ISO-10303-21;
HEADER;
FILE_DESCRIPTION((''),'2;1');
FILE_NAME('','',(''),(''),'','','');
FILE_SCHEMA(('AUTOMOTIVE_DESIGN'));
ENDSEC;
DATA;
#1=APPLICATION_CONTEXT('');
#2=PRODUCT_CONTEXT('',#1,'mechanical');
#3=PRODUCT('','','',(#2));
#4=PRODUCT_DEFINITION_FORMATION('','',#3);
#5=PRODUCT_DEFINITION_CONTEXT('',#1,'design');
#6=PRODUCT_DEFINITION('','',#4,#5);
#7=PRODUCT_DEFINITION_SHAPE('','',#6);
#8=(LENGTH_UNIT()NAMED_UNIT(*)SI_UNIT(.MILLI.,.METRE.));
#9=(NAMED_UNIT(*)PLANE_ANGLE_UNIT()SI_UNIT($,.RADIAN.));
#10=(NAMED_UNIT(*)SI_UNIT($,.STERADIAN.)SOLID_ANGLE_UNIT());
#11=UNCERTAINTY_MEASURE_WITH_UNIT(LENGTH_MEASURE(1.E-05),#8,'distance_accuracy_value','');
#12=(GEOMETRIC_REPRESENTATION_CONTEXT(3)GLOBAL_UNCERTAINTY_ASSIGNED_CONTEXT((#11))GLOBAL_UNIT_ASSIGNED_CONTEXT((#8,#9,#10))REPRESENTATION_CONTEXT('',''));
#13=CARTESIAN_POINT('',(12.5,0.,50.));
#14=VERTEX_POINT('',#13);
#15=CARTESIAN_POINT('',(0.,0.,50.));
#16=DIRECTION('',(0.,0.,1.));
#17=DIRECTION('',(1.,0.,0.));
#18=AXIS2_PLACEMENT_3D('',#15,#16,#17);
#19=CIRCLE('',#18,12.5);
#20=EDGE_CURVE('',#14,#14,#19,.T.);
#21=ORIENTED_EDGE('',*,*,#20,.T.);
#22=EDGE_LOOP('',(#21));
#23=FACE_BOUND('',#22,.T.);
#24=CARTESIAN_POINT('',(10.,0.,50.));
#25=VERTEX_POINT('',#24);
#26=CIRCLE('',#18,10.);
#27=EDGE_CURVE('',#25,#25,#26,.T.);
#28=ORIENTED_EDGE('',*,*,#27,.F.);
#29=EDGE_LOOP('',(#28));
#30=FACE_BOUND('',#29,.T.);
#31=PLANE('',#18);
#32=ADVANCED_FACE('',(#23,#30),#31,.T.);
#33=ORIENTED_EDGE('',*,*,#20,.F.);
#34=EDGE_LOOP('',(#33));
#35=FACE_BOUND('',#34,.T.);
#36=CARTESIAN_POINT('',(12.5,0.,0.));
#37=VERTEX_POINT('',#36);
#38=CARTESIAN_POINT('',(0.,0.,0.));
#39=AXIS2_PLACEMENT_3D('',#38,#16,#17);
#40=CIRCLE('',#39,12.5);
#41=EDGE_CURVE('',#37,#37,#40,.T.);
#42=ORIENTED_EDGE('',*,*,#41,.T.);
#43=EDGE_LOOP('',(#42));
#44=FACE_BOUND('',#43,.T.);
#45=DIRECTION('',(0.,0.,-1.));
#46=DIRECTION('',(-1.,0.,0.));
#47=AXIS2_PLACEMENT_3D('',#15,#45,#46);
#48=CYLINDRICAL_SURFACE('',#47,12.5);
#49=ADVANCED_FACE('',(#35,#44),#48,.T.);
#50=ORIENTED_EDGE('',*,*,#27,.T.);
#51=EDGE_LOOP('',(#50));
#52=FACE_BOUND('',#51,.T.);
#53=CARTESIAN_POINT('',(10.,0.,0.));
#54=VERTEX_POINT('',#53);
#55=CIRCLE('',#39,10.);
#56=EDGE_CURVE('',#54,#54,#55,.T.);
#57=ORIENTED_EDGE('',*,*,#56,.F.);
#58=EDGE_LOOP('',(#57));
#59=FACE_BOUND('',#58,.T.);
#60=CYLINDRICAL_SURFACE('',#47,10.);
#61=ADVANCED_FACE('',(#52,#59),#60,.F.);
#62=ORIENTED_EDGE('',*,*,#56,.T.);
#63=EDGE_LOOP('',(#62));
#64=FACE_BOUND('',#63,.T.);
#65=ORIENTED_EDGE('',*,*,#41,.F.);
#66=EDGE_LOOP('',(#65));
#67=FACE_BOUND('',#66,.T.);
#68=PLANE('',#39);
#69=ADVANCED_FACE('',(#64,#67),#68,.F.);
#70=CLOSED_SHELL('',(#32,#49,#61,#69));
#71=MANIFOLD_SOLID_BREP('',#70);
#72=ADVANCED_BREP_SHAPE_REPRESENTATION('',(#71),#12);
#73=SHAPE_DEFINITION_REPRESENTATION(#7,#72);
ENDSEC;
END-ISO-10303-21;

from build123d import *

# Parameters (mm, degrees)
ESBO_O1_R                = 12.5
ESBO_O1_R_2              = 10
RESSALTO_EXTRUS_O1_DEPTH = 50


with BuildPart() as part:
    # Esboço1 → Ressalto-extrusão1 (new body)
    with BuildSketch(Plane.XY):
        Circle(ESBO_O1_R)
        Circle(ESBO_O1_R_2, mode=Mode.SUBTRACT)
    extrude(amount=RESSALTO_EXTRUS_O1_DEPTH)


solid = part.part
